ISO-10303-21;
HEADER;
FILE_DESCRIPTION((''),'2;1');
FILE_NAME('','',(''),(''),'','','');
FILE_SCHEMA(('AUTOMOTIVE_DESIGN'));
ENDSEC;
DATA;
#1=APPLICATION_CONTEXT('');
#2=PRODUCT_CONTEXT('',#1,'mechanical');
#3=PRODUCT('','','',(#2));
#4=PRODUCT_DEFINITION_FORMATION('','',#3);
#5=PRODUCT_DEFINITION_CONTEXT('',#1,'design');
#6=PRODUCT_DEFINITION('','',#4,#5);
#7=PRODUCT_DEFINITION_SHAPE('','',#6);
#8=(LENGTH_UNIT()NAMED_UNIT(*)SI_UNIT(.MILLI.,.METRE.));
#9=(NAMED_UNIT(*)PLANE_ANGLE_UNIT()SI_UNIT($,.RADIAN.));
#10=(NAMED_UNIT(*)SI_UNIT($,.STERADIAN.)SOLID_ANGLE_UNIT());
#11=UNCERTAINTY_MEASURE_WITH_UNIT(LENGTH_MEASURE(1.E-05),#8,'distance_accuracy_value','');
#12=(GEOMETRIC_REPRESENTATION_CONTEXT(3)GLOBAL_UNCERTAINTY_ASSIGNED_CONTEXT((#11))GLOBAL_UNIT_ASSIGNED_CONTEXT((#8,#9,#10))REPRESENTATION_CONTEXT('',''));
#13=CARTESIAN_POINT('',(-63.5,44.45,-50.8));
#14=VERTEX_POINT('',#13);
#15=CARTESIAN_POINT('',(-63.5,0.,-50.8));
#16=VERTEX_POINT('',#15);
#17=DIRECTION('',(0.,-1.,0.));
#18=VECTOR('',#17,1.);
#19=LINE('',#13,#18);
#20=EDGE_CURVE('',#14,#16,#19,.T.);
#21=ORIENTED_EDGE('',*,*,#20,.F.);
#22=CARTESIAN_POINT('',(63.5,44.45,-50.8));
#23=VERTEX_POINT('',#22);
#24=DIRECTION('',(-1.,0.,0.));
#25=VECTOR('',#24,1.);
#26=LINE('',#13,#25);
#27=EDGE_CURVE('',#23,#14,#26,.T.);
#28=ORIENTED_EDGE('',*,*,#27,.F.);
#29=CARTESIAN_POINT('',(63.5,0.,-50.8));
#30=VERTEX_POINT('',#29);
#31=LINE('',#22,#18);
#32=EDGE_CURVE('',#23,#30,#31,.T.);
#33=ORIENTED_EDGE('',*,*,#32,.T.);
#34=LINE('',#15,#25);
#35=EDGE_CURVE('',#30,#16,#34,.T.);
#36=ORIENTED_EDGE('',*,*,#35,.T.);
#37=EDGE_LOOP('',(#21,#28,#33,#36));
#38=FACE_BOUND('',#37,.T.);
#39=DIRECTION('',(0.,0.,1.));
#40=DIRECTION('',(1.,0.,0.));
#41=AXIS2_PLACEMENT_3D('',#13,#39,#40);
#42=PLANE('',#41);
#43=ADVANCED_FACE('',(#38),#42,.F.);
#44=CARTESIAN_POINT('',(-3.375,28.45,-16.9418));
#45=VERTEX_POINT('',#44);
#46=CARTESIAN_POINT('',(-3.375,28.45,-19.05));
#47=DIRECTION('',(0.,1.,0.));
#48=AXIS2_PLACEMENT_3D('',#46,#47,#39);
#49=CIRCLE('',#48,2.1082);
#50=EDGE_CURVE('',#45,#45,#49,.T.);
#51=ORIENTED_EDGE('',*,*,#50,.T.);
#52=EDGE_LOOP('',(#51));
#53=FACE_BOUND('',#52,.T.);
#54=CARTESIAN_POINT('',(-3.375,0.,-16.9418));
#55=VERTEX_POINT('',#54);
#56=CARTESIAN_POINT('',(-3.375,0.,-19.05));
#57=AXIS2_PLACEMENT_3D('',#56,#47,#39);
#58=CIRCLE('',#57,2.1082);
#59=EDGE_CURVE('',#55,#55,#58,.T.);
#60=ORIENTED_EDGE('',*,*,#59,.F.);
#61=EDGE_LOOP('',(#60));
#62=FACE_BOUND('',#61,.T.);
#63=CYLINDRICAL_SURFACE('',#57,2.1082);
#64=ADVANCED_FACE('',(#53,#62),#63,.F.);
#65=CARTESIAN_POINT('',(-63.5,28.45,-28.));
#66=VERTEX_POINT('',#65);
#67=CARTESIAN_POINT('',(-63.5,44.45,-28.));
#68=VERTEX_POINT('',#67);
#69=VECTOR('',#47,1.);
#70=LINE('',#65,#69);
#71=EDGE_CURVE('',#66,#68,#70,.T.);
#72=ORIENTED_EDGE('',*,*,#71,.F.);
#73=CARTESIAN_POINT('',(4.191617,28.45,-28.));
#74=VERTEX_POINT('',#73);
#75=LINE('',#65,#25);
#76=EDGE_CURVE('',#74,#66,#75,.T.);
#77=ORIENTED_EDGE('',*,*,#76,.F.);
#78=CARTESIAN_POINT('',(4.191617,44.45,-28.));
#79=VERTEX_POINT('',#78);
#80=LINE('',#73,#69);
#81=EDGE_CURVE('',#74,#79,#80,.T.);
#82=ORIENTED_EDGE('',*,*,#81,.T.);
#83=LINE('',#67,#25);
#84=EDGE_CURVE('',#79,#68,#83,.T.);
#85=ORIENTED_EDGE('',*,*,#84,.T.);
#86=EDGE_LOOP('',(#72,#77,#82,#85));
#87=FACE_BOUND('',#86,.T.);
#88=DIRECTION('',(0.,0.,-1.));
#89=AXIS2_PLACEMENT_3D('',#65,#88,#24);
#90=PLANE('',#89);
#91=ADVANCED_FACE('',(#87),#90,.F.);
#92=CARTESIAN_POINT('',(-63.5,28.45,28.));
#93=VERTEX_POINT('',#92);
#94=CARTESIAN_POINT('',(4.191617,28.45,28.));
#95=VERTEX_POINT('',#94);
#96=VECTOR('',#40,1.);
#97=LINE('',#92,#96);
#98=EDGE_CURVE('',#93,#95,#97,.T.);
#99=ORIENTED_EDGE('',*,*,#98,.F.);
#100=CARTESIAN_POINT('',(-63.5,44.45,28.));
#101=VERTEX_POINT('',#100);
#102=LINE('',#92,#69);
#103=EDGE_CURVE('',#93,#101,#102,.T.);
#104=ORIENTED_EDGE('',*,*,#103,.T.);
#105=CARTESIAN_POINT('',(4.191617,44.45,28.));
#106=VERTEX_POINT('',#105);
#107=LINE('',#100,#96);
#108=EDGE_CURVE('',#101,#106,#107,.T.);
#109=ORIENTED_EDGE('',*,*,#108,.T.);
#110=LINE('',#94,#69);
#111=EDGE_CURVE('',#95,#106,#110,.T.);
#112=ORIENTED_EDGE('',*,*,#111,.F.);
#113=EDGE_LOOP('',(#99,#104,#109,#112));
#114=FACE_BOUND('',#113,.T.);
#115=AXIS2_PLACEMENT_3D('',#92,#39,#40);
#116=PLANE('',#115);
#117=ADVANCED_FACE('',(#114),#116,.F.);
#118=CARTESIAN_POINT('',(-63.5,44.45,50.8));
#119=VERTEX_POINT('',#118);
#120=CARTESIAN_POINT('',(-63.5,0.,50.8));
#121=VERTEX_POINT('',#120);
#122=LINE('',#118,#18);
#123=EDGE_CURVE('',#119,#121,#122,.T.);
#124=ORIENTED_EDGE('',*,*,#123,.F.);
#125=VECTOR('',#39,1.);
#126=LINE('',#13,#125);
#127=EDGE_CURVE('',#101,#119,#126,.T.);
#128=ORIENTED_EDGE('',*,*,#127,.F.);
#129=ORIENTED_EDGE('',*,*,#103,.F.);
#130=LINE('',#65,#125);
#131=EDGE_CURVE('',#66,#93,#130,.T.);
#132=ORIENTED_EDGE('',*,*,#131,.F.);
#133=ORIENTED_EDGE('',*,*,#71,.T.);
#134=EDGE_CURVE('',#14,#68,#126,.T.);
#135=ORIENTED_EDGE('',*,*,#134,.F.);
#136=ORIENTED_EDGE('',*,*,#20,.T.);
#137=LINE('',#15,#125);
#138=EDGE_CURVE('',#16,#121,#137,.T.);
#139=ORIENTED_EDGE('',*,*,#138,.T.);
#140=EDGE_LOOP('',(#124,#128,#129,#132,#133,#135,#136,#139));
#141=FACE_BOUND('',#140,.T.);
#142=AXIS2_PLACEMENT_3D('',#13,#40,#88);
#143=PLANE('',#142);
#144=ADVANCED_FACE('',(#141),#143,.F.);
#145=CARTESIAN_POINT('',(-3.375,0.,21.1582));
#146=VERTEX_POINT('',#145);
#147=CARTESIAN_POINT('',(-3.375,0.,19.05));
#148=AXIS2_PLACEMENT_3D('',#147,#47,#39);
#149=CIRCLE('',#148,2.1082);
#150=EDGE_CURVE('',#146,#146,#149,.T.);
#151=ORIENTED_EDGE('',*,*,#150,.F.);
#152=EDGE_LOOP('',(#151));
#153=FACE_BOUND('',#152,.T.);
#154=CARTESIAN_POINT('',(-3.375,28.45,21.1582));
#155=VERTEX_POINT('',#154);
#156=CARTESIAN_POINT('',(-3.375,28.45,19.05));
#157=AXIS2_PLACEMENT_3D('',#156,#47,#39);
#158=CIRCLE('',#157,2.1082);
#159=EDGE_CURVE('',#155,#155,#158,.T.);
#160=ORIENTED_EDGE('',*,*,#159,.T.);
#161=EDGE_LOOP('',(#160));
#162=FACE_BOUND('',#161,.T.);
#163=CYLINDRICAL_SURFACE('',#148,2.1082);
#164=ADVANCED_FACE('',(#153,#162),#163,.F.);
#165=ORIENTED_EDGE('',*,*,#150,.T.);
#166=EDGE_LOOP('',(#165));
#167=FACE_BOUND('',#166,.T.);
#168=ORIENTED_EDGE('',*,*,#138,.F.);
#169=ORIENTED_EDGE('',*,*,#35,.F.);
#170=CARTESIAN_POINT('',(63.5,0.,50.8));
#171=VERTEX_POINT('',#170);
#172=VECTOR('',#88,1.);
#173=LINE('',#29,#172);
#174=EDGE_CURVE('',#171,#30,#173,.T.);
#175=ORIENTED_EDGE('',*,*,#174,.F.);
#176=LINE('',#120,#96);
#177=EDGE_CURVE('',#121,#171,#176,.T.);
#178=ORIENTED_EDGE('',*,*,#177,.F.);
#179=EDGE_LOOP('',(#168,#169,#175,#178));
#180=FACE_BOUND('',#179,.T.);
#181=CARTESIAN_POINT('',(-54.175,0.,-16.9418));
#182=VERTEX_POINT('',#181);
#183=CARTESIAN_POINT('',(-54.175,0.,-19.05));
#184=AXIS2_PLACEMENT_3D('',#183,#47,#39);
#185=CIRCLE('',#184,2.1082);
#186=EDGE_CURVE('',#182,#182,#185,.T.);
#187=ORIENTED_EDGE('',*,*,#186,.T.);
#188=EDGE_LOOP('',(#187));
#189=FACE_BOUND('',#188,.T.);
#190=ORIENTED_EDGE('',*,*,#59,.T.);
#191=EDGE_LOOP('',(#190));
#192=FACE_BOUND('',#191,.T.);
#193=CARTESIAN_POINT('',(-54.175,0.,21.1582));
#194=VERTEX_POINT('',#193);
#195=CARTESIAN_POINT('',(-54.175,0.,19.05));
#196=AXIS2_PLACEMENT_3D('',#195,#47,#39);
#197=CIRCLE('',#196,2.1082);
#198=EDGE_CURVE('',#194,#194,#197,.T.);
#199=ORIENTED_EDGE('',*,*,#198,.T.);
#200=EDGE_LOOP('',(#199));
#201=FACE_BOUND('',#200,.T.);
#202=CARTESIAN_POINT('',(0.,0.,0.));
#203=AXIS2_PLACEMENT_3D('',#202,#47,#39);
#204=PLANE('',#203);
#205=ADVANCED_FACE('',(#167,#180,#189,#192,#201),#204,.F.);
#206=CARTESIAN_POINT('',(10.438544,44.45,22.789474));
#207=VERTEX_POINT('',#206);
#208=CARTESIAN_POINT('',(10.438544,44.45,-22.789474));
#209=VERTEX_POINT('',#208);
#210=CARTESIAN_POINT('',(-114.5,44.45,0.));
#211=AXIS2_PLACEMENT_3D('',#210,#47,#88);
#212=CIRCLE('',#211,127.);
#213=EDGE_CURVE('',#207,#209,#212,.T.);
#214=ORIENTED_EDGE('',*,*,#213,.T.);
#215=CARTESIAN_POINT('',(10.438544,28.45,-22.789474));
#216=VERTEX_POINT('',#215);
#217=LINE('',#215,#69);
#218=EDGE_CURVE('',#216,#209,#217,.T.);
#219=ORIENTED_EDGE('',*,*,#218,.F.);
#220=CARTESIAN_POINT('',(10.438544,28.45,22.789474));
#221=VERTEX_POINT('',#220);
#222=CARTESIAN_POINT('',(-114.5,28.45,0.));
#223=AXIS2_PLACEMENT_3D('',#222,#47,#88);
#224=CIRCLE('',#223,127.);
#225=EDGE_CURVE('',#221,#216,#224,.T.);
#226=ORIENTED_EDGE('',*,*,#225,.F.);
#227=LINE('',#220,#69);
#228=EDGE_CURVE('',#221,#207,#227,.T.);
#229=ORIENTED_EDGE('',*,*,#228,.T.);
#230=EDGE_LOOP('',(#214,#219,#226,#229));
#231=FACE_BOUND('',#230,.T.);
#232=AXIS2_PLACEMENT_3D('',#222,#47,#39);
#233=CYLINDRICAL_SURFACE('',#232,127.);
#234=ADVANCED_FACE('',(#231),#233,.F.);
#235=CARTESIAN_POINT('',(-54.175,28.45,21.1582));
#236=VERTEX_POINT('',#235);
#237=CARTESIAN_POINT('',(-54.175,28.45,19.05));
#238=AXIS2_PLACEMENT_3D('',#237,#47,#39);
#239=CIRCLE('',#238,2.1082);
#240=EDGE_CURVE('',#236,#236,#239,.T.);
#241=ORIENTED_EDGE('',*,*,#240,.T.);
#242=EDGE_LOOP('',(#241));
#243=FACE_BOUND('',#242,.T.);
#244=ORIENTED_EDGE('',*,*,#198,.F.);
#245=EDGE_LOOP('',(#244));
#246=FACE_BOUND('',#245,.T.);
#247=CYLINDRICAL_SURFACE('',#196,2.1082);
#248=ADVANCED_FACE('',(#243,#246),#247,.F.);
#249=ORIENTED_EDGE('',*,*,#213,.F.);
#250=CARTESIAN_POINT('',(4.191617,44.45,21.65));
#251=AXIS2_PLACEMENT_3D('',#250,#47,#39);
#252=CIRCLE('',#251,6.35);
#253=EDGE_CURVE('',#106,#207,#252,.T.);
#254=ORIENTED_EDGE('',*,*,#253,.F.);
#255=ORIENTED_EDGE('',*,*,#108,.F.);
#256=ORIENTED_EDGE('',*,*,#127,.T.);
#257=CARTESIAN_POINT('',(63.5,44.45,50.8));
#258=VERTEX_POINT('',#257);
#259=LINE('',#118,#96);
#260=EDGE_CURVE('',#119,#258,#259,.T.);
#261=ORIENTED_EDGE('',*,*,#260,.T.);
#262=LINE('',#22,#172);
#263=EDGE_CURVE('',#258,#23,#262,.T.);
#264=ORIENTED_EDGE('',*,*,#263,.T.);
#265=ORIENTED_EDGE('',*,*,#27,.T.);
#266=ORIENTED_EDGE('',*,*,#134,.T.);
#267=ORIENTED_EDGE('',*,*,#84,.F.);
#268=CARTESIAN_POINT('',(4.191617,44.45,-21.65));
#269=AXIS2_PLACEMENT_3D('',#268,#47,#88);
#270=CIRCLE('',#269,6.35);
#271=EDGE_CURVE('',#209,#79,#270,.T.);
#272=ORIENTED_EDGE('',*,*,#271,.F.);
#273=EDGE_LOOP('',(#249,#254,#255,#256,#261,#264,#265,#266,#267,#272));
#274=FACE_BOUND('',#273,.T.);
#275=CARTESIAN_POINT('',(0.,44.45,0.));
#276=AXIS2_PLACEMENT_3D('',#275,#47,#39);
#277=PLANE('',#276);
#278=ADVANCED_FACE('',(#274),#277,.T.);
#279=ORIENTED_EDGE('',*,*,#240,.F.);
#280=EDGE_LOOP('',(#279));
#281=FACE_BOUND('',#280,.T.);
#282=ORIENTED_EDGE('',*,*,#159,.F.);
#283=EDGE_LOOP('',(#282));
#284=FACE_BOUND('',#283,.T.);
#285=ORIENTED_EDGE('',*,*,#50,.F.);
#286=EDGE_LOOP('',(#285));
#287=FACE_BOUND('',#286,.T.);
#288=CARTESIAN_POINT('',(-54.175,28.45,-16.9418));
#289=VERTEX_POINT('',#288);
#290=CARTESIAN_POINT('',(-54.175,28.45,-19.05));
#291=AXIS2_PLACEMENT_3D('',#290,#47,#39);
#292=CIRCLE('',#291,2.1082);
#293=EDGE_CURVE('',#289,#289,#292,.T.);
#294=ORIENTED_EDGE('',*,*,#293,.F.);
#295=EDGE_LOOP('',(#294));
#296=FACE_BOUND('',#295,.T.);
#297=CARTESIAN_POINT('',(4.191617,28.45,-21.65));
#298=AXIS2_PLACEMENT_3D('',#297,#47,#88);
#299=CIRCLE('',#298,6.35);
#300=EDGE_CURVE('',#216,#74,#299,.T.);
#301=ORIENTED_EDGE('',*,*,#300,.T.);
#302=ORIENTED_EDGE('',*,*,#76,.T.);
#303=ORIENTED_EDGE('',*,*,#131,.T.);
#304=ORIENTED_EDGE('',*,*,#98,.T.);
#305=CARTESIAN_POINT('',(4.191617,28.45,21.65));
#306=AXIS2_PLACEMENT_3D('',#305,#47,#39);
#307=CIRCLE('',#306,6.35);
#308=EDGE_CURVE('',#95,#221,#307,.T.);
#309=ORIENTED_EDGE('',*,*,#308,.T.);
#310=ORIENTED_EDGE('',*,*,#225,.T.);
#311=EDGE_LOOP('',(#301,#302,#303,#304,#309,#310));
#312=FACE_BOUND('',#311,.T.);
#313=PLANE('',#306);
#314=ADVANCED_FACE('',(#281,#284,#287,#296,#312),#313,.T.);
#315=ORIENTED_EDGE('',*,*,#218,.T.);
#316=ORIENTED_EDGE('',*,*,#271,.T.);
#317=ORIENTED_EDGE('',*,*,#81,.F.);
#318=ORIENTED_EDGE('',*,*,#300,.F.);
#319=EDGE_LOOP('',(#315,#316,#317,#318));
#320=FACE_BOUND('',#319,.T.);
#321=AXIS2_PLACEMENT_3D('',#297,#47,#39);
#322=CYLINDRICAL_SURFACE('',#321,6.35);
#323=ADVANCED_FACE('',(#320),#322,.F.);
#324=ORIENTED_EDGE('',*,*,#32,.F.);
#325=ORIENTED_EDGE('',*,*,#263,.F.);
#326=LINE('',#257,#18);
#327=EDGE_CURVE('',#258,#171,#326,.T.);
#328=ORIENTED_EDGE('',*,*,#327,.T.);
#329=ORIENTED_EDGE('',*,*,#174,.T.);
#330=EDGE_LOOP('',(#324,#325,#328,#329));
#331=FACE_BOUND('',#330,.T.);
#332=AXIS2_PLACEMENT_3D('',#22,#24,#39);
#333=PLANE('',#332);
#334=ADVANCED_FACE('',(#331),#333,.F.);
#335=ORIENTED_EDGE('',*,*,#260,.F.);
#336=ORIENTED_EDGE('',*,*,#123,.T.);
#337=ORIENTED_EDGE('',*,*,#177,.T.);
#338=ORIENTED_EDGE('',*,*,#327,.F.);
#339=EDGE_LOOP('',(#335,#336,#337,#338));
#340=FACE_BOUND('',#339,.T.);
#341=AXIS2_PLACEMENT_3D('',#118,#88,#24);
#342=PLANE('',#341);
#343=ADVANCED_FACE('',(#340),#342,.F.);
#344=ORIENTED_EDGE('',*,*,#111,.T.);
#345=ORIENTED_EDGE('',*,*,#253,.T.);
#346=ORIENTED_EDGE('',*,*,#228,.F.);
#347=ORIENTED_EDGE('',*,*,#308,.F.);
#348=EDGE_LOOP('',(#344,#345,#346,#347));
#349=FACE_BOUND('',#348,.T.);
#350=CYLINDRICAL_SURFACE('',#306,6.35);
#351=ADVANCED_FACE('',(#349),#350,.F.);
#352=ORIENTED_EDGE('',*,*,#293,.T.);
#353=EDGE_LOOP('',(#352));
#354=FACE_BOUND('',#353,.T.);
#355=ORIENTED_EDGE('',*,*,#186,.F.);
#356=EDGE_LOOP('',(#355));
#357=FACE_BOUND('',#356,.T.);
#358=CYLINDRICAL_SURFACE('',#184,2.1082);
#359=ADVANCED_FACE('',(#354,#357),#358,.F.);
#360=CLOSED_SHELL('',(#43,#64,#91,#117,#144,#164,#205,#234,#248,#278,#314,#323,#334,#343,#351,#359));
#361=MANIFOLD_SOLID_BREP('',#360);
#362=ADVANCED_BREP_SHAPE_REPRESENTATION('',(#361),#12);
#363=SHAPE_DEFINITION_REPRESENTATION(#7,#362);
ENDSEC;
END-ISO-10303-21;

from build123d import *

# Parameters (mm, degrees)
SKETCH1_W           = 127
SKETCH1_H           = 101.6
BOSS_EXTRUDE1_DEPTH = 44.45
CUT_EXTRUDE1_DEPTH  = 16
SKETCH3_R           = 2.1082
CUT_EXTRUDE2_DEPTH  = 87.152727757


with BuildPart() as part:
    # Sketch1 → Boss-Extrude1 (new body)
    with BuildSketch(Plane(origin=(0, 0, 0), x_dir=(1, 0, 0), z_dir=(0, 1, 0))):
        Rectangle(SKETCH1_W, SKETCH1_H)
    extrude(amount=BOSS_EXTRUDE1_DEPTH)

    # Sketch2 → Cut-Extrude1 (cut)
    with BuildSketch(Plane(origin=(0, 44.45, 0), x_dir=(1, 0, 0), z_dir=(0, 1, 0))):
        with BuildLine():
            Line((-63.5, 28), (4.191617227, 28))
            ThreePointArc((4.191617227, 28), (8.25897768, 26.526379697), (10.43854445, 22.789473684))
            ThreePointArc((10.43854445, 22.789473684), (12.5, 0), (10.43854445, -22.789473684))
            ThreePointArc((10.43854445, -22.789473684), (8.25897768, -26.526379697), (4.191617227, -28))
            Line((4.191617227, -28), (-63.5, -28))
            Line((-63.5, -28), (-63.5, 28))
        make_face()
    extrude(amount=-CUT_EXTRUDE1_DEPTH, mode=Mode.SUBTRACT)

    # Sketch3 → Cut-Extrude2 (cut, through all)
    with BuildSketch(Plane(origin=(0, 28.45, 0), x_dir=(1, 0, 0), z_dir=(0, 1, 0))):
        with Locations(Location((-54.175, 19.05, 0), (0, 0, 270))):
            Circle(SKETCH3_R)
        with Locations(Location((-54.175, -19.05, 0), (0, 0, 270))):
            Circle(SKETCH3_R)
        with Locations(Location((-3.375, 19.05, 0), (0, 0, 270))):
            Circle(SKETCH3_R)
        with Locations(Location((-3.375, -19.05, 0), (0, 0, 270))):
            Circle(SKETCH3_R)
    extrude(amount=-CUT_EXTRUDE2_DEPTH, mode=Mode.SUBTRACT)


solid = part.part
